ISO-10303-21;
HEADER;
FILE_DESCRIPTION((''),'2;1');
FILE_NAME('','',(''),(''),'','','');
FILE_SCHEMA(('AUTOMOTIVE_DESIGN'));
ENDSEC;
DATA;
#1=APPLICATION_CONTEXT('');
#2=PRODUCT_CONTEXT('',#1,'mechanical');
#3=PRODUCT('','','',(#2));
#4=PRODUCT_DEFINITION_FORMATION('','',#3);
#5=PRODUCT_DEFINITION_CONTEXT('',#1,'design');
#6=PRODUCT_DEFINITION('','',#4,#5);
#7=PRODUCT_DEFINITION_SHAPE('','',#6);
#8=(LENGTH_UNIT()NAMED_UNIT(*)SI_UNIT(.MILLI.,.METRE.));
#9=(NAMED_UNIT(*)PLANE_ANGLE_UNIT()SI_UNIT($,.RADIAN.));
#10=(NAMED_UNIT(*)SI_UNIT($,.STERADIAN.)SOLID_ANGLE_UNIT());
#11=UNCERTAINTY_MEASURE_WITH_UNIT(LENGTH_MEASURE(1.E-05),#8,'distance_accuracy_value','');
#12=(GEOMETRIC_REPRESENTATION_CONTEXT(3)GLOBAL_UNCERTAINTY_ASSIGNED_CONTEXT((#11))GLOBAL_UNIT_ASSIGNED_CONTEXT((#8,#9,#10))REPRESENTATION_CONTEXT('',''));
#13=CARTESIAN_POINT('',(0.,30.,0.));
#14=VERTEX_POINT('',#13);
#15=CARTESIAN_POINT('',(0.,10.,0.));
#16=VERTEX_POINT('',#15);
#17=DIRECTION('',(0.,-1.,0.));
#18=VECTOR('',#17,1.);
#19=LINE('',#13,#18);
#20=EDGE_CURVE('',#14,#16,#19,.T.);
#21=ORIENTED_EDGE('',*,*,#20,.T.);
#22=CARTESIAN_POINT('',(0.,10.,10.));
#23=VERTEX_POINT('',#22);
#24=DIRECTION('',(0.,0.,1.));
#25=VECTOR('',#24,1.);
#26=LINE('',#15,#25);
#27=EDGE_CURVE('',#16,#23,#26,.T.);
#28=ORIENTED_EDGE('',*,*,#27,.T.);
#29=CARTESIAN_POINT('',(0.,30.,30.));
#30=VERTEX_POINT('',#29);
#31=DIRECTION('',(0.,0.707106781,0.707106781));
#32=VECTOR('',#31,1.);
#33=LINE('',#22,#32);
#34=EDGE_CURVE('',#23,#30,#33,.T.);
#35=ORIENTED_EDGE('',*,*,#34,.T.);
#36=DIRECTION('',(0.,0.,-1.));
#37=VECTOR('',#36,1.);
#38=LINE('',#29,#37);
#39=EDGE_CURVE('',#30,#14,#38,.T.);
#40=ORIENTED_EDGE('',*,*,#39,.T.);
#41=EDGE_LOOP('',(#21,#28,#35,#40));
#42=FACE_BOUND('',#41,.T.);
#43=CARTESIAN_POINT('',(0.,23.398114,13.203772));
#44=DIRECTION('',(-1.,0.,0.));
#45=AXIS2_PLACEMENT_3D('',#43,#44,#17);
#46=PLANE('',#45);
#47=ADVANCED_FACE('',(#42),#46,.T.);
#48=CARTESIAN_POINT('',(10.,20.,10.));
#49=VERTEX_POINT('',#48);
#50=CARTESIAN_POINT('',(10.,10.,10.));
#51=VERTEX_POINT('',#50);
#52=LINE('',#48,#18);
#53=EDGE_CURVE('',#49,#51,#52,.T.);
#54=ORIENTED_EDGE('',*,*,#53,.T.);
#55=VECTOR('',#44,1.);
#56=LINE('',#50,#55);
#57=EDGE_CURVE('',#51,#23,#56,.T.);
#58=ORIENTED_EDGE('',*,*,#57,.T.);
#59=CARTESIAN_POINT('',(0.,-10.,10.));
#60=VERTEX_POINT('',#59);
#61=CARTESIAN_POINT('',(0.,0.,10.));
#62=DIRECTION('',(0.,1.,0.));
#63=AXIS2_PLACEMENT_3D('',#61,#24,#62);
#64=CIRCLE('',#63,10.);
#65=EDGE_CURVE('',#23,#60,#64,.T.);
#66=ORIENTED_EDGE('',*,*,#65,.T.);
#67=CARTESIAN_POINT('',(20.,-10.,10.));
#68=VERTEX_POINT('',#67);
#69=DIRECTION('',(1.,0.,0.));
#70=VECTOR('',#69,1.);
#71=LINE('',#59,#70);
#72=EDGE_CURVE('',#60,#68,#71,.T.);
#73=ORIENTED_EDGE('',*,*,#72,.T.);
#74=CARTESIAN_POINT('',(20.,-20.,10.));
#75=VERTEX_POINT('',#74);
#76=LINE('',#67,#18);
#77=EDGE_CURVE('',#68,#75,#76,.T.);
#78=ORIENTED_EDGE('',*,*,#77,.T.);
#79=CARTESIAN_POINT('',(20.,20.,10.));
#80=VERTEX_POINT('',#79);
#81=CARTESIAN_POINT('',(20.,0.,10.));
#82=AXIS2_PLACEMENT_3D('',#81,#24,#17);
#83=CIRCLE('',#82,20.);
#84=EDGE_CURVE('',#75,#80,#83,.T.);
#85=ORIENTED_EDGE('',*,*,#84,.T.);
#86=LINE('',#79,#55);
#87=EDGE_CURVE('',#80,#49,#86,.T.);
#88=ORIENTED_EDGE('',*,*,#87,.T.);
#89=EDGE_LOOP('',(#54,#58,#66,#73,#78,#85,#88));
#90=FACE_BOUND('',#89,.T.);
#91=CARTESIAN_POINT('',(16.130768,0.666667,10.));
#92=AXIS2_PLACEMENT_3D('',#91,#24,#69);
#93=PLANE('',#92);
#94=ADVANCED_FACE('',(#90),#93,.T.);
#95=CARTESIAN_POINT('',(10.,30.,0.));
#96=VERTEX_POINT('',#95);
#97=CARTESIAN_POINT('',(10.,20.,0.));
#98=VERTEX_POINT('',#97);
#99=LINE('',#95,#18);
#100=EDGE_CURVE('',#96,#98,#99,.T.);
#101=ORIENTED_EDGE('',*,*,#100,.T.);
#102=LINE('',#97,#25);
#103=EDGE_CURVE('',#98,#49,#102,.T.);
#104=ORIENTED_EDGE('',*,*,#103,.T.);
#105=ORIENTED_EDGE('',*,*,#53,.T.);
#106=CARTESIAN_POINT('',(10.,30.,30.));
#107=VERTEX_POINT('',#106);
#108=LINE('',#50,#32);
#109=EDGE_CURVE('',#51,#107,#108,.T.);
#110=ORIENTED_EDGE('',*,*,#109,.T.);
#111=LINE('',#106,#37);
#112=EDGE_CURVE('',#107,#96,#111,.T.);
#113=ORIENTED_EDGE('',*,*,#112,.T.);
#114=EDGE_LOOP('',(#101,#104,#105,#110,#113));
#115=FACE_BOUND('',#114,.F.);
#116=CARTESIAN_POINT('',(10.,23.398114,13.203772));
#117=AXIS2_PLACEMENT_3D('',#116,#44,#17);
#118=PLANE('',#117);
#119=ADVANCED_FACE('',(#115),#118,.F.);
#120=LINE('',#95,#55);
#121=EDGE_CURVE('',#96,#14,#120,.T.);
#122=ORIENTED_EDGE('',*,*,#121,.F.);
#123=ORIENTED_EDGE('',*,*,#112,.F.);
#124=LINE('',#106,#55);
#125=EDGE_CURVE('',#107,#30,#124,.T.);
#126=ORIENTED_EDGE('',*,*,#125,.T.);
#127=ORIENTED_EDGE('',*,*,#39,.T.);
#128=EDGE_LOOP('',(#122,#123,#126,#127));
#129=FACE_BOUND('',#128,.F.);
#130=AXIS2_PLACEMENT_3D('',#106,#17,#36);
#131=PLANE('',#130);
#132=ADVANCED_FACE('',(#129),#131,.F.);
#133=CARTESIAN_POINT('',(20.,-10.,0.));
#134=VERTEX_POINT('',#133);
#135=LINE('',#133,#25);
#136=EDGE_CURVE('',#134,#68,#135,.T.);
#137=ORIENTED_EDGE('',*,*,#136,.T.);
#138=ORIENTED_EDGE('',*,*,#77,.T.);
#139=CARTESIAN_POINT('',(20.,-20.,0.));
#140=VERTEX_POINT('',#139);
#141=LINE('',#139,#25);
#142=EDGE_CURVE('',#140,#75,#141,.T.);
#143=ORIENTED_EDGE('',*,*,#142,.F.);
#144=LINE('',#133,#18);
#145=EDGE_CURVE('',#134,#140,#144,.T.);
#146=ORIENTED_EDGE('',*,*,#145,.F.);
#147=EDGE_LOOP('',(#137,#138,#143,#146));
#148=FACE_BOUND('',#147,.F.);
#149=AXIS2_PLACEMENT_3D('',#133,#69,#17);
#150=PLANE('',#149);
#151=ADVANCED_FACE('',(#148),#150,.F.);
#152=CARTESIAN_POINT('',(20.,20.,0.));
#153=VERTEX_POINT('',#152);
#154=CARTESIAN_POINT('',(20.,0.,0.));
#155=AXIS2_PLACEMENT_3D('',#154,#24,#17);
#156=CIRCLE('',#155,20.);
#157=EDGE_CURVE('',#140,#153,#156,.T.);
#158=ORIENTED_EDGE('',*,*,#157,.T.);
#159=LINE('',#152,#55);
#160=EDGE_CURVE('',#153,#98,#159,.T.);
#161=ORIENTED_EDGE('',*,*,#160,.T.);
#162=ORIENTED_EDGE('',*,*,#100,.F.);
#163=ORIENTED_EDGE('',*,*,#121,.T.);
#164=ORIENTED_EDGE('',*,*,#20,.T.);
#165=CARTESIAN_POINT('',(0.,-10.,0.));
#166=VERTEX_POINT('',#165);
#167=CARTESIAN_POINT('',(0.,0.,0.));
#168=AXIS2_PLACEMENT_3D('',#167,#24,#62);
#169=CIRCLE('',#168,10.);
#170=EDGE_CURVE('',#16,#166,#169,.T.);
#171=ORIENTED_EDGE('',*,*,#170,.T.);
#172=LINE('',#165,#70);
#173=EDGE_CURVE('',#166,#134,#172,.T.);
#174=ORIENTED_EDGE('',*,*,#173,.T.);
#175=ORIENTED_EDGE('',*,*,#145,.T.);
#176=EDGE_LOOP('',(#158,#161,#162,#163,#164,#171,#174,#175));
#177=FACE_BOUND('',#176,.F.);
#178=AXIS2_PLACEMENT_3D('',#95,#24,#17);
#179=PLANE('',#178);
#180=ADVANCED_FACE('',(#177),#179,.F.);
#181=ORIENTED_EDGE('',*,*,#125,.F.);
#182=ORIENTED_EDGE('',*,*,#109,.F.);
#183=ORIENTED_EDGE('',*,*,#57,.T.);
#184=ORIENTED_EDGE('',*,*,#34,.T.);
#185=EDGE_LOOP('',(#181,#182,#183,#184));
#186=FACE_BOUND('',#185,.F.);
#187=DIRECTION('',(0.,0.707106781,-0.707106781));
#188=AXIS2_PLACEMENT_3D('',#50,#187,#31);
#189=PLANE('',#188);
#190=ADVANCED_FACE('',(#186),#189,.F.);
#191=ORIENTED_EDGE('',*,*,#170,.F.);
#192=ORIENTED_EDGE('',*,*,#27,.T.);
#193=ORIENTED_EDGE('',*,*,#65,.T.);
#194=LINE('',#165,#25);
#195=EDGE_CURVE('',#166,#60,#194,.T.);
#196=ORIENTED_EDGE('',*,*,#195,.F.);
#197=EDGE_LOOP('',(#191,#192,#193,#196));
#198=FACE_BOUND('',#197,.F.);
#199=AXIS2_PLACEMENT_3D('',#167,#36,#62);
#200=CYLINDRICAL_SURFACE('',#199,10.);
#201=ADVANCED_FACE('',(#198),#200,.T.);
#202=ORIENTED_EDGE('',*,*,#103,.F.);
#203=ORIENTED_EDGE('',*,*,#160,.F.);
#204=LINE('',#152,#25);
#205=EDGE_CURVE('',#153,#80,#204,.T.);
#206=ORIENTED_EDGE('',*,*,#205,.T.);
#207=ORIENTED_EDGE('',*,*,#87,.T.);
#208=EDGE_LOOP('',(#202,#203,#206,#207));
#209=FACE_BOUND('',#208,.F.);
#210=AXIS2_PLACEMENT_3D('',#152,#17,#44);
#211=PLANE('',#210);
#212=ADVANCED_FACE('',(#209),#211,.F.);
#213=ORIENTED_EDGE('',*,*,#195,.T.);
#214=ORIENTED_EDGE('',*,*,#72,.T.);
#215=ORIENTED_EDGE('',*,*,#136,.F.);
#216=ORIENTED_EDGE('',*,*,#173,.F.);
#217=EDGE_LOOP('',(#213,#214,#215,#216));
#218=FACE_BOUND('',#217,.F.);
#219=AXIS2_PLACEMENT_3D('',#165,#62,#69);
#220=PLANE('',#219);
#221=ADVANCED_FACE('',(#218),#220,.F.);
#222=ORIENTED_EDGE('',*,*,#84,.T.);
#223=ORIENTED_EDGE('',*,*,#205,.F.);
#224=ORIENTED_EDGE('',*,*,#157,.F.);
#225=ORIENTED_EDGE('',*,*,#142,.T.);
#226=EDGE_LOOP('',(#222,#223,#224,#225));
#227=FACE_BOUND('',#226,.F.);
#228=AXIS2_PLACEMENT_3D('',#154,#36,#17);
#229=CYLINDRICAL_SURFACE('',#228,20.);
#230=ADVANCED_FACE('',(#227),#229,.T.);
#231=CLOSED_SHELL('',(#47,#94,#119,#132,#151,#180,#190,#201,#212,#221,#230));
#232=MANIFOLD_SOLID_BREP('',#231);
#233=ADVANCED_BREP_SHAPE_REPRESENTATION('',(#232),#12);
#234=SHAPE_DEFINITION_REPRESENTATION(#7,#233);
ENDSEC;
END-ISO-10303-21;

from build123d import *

# Parameters (mm, degrees)
F1_DEPTH = 10
F2_W     = 10
F2_H     = 10
F3_DEPTH = 10


with BuildPart() as f1:
    # F0 (on Top) → F1 (new body)
    with BuildSketch(Plane.XY):
        with BuildLine():
            Line((10, 10), (0, 10))
            ThreePointArc((0, 10), (-10, 0), (0, -10))
            Line((0, -10), (20, -10))
            Line((20, -10), (20, -20))
            ThreePointArc((20, -20), (40, 0), (20, 20))
            Line((20, 20), (10, 20))
            Line((10, 20), (10, 10))
        make_face()
    extrude(amount=F1_DEPTH)

    # F2 (on face) → F3 (join)
    with BuildSketch(Plane(origin=(10, 0, 0), x_dir=(0, -1, 0), z_dir=(-1, 0, 0))):
        Polygon((-30, 0), (-20, 0), (-20, 10), (-10, 10), (-30, 30), align=None)
        with Locations((-15, 5)):
            Rectangle(F2_W, F2_H)
    extrude(amount=F3_DEPTH)


solid = f1.part
